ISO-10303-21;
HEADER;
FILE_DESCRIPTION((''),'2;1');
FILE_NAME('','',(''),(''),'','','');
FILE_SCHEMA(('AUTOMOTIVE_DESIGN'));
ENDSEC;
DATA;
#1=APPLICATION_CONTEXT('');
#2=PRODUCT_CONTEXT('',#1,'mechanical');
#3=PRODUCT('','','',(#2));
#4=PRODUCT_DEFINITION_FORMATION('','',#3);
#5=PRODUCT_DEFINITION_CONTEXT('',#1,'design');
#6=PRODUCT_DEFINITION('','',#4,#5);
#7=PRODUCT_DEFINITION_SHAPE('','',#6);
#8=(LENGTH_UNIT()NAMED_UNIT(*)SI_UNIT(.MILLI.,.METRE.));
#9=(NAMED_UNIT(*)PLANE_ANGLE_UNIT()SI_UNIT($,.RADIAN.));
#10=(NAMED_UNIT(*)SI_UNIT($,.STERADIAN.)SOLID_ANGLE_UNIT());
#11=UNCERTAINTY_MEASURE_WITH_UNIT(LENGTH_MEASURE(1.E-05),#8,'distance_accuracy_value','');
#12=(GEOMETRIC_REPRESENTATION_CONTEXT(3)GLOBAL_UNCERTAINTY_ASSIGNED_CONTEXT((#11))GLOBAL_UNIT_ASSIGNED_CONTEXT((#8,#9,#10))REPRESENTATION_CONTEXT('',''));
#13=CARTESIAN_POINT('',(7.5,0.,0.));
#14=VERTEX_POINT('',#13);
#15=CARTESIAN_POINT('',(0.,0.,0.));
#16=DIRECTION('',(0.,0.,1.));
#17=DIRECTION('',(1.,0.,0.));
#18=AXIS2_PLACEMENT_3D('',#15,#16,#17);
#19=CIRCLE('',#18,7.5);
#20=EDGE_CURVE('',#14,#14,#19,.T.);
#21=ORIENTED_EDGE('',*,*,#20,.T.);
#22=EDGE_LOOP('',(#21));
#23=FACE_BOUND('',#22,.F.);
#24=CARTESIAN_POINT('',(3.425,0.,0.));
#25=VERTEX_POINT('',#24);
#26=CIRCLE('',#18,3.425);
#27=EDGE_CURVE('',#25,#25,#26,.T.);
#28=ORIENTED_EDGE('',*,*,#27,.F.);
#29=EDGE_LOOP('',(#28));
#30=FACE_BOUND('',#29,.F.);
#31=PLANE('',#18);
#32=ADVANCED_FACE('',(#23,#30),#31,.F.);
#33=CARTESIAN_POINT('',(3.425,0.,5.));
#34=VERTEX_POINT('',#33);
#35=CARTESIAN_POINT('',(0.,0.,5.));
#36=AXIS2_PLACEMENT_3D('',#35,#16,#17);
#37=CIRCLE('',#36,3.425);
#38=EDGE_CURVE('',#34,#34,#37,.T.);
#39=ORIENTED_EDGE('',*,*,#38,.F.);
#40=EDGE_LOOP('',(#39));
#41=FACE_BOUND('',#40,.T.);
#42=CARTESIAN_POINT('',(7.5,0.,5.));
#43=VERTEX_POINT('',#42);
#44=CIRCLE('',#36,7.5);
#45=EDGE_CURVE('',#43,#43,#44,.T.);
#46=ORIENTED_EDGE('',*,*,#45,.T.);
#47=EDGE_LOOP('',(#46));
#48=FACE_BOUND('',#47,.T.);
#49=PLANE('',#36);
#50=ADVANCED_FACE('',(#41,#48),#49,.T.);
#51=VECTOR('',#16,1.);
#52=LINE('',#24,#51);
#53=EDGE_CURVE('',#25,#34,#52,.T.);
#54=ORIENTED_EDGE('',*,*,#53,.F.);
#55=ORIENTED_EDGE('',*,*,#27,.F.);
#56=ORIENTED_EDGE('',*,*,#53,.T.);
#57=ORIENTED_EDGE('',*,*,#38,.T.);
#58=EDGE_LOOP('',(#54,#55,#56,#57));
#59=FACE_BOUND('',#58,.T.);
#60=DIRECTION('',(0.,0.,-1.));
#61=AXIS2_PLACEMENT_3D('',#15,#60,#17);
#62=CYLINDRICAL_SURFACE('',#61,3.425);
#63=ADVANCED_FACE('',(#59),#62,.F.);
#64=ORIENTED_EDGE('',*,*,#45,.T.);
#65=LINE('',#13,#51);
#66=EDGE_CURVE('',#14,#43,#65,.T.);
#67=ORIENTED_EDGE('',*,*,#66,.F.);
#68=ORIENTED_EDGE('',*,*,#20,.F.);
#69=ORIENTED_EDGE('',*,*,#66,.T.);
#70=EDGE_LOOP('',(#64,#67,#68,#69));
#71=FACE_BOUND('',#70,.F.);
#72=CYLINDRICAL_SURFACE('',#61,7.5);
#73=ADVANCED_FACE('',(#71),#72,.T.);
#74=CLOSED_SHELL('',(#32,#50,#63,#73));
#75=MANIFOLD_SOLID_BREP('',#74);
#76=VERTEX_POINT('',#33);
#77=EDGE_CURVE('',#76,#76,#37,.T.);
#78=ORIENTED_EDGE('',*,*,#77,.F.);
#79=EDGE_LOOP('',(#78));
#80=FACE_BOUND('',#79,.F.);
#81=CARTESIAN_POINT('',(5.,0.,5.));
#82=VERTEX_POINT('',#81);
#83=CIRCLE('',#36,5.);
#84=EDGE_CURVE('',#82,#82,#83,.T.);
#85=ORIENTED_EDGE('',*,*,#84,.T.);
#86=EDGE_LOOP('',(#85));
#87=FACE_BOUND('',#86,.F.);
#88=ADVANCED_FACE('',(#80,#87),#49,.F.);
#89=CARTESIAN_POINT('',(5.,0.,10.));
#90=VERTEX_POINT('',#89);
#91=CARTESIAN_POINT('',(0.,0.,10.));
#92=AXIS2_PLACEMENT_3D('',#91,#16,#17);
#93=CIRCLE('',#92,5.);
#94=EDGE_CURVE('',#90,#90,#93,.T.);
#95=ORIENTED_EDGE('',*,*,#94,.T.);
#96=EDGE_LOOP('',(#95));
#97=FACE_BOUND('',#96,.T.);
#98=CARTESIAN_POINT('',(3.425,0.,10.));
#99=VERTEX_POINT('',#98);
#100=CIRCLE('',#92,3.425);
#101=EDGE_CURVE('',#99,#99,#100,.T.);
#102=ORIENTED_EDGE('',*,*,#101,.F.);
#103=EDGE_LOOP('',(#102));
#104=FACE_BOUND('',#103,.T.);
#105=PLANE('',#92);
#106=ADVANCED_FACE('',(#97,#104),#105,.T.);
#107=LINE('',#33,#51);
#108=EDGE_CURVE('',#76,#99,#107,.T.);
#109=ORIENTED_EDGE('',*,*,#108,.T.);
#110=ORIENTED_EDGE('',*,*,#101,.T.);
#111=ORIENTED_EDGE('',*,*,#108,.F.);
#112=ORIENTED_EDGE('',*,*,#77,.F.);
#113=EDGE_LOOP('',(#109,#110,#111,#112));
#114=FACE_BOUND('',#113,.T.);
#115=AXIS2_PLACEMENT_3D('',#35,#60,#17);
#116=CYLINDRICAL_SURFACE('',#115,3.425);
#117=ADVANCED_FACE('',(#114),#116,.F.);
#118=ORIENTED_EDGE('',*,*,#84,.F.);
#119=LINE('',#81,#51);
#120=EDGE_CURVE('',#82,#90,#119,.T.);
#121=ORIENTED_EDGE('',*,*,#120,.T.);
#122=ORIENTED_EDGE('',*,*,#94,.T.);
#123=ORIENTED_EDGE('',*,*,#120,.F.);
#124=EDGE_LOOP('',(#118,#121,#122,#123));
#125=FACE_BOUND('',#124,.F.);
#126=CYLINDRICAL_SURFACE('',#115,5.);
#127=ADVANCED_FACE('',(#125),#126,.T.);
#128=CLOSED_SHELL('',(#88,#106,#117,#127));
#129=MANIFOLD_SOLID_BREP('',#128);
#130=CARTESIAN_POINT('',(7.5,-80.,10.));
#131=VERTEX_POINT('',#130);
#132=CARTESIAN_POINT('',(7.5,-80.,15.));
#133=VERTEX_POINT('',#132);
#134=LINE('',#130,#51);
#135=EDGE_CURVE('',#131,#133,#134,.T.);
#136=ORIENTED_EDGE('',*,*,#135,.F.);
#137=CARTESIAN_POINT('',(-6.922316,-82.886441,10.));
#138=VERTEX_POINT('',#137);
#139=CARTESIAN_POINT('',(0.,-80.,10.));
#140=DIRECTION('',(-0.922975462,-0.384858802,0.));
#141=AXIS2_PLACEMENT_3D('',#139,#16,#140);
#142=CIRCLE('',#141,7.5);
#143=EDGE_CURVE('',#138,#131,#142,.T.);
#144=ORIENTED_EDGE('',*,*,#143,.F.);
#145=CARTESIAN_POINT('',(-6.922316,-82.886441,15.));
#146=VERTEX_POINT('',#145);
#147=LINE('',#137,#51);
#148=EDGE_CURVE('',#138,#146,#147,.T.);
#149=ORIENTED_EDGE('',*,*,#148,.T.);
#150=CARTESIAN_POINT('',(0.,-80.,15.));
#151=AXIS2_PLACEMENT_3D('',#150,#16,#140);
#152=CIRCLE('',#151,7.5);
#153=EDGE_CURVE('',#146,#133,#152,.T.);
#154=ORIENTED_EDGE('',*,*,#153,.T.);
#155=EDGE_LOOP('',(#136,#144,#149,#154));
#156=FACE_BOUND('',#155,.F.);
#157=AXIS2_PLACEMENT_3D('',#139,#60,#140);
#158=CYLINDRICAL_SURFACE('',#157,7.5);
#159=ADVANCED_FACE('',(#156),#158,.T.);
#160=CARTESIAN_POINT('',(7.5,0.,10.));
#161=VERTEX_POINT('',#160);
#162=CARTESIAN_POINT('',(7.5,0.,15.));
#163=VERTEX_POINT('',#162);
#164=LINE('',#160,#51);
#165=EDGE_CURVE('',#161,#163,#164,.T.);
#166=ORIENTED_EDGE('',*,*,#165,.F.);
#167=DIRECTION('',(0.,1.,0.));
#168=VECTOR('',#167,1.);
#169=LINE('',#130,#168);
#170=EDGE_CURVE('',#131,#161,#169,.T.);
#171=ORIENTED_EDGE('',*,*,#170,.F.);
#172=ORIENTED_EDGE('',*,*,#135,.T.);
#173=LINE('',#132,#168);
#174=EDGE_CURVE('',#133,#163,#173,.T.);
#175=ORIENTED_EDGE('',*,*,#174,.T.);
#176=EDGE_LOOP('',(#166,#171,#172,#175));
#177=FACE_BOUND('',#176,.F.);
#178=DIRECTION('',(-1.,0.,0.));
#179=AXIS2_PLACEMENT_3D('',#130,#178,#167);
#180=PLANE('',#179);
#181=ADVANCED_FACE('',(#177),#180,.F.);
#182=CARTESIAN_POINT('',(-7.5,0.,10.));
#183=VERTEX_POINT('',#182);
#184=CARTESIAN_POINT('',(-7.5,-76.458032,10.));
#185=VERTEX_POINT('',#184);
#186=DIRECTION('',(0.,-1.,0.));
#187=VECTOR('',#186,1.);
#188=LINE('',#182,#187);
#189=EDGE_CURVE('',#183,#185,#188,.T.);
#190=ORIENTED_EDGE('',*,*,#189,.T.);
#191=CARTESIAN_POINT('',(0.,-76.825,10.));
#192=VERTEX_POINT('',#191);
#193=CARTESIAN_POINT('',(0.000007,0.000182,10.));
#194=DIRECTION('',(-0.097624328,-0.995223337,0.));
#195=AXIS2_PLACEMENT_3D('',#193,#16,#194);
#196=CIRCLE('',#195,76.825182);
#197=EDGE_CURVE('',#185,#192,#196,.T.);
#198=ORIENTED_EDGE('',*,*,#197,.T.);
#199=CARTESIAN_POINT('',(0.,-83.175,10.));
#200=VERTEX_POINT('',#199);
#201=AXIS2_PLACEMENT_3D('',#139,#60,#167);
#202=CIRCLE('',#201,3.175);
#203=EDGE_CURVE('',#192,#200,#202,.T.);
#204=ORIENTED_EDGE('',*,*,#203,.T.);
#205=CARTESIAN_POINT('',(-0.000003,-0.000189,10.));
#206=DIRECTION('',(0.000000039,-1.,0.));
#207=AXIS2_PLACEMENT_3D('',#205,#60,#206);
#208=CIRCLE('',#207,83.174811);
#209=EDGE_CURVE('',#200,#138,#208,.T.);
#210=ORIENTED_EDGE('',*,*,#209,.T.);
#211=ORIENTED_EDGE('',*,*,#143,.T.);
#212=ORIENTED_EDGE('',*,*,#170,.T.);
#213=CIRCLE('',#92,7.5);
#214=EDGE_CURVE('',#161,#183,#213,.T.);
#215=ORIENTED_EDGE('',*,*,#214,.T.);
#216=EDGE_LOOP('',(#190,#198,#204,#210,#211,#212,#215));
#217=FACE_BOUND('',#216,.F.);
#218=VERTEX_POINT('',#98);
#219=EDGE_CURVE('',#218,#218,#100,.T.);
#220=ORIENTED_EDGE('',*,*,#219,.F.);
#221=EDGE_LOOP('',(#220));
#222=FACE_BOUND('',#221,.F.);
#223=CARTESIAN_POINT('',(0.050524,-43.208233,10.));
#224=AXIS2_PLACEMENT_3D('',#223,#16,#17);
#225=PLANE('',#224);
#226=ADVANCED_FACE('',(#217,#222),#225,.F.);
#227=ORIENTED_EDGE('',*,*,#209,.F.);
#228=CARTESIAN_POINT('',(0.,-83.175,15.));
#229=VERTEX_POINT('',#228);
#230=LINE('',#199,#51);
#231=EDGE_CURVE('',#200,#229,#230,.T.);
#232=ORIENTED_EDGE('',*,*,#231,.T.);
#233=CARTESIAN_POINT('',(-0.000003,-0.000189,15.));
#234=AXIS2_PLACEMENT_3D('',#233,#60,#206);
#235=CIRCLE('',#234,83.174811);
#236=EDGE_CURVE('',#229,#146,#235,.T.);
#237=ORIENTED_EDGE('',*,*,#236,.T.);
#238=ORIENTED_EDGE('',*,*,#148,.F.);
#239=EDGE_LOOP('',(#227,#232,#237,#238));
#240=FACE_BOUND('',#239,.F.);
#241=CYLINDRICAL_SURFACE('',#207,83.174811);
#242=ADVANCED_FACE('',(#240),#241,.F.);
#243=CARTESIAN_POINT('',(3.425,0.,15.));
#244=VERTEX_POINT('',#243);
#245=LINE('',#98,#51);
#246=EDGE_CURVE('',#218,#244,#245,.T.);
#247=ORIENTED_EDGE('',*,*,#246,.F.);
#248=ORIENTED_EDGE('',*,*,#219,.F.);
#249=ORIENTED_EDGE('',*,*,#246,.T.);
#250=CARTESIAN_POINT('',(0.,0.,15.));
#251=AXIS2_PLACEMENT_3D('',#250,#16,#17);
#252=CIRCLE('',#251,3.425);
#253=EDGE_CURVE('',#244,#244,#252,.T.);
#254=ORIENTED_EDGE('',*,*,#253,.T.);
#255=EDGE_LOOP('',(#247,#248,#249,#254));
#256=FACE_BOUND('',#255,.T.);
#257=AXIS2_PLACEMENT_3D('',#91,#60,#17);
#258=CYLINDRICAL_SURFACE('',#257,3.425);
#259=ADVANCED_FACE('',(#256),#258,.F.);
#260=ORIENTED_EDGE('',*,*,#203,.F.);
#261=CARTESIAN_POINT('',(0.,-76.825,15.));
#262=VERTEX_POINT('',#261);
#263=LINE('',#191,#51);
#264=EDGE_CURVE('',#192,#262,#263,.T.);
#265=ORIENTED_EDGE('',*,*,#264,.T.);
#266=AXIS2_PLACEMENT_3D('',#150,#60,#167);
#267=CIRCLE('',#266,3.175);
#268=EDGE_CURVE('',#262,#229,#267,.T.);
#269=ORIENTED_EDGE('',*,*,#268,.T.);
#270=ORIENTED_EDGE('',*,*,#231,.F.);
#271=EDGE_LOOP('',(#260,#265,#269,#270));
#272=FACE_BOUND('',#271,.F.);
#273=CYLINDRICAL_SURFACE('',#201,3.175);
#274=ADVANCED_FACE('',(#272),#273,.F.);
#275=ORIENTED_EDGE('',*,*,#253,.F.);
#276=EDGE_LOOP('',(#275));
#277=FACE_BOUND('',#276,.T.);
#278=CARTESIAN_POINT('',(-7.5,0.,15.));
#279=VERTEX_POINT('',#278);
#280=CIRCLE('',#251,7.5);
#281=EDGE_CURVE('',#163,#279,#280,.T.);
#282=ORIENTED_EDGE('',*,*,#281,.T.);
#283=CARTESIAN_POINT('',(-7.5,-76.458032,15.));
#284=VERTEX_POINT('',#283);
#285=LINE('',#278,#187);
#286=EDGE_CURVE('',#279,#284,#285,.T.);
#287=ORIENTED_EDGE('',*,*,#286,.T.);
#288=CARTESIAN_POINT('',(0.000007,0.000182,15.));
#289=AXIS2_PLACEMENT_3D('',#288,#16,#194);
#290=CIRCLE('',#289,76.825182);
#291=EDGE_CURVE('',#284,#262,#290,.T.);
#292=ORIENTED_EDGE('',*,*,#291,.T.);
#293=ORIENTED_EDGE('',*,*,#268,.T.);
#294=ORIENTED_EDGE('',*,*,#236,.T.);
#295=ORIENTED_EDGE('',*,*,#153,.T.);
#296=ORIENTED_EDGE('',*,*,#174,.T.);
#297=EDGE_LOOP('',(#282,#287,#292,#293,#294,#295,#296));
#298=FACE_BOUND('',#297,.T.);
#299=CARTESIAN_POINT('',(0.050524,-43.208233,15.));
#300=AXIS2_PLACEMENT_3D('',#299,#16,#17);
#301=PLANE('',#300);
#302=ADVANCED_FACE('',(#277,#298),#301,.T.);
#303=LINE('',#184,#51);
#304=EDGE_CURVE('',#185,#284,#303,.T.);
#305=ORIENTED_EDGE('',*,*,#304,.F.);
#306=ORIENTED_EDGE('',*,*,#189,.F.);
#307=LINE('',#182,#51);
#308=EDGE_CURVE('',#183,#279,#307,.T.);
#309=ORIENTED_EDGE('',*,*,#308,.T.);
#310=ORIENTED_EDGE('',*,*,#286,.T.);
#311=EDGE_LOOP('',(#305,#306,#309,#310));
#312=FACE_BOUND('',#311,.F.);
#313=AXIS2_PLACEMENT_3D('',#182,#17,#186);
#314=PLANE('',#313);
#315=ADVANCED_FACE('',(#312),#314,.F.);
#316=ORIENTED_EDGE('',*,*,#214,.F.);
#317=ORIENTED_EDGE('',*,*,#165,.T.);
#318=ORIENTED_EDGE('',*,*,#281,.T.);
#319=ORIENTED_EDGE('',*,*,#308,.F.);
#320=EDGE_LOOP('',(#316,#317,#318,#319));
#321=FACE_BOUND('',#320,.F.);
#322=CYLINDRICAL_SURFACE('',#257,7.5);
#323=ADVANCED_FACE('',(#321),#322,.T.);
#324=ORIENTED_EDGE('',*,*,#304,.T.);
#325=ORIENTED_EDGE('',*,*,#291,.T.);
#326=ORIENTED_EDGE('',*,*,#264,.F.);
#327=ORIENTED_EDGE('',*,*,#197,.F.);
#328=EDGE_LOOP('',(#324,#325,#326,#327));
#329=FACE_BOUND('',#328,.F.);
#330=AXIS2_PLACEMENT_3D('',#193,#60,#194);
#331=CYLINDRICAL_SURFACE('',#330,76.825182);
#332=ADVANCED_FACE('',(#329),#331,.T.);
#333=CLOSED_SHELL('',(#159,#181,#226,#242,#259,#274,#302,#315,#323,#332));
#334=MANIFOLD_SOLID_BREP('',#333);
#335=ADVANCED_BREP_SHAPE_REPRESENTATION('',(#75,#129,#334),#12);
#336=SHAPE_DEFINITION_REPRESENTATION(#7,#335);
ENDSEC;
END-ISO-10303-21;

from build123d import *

# Parameters (mm, degrees)
F0_R     = 7.5
F0_R_2   = 3.425
F1_DEPTH = 5
F3_R     = 5
F3_R_2   = 3.425
F4_DEPTH = 5
F6_R     = 3.425
F7_DEPTH = 5


with BuildPart() as f1:
    # F0 (on Top) → F1 (new body)
    with BuildSketch(Plane.XY):
        Circle(F0_R)
        Circle(F0_R_2, mode=Mode.SUBTRACT)
    extrude(amount=F1_DEPTH)


with BuildPart() as f4:
    # F3 (on offset) → F4 (new body)
    with BuildSketch(Plane.XY.offset(5)):
        Circle(F3_R)
        Circle(F3_R_2, mode=Mode.SUBTRACT)
    extrude(amount=F4_DEPTH)


with BuildPart() as f7:
    # F6 (on offset) → F7 (new body)
    with BuildSketch(Plane.XY.offset(10)):
        with BuildLine():
            Line((7.5, -80), (7.5, 0))
            ThreePointArc((7.5, 0), (0, 7.5), (-7.5, 0))
            Line((-7.5, 0), (-7.5, -76.458032))
            ThreePointArc((-7.5, -76.458032), (-3.754486, -76.733203), (0, -76.825))
            ThreePointArc((0, -76.825), (3.175, -80), (0, -83.175))
            ThreePointArc((0, -83.175), (-3.464164, -83.102829), (-6.922316, -82.886441))
            ThreePointArc((-6.922316, -82.886441), (1.471841, -87.354161), (7.5, -80))
        make_face()
        Circle(F6_R, mode=Mode.SUBTRACT)
    extrude(amount=F7_DEPTH)


solid = Compound([f1.part, f4.part, f7.part])
